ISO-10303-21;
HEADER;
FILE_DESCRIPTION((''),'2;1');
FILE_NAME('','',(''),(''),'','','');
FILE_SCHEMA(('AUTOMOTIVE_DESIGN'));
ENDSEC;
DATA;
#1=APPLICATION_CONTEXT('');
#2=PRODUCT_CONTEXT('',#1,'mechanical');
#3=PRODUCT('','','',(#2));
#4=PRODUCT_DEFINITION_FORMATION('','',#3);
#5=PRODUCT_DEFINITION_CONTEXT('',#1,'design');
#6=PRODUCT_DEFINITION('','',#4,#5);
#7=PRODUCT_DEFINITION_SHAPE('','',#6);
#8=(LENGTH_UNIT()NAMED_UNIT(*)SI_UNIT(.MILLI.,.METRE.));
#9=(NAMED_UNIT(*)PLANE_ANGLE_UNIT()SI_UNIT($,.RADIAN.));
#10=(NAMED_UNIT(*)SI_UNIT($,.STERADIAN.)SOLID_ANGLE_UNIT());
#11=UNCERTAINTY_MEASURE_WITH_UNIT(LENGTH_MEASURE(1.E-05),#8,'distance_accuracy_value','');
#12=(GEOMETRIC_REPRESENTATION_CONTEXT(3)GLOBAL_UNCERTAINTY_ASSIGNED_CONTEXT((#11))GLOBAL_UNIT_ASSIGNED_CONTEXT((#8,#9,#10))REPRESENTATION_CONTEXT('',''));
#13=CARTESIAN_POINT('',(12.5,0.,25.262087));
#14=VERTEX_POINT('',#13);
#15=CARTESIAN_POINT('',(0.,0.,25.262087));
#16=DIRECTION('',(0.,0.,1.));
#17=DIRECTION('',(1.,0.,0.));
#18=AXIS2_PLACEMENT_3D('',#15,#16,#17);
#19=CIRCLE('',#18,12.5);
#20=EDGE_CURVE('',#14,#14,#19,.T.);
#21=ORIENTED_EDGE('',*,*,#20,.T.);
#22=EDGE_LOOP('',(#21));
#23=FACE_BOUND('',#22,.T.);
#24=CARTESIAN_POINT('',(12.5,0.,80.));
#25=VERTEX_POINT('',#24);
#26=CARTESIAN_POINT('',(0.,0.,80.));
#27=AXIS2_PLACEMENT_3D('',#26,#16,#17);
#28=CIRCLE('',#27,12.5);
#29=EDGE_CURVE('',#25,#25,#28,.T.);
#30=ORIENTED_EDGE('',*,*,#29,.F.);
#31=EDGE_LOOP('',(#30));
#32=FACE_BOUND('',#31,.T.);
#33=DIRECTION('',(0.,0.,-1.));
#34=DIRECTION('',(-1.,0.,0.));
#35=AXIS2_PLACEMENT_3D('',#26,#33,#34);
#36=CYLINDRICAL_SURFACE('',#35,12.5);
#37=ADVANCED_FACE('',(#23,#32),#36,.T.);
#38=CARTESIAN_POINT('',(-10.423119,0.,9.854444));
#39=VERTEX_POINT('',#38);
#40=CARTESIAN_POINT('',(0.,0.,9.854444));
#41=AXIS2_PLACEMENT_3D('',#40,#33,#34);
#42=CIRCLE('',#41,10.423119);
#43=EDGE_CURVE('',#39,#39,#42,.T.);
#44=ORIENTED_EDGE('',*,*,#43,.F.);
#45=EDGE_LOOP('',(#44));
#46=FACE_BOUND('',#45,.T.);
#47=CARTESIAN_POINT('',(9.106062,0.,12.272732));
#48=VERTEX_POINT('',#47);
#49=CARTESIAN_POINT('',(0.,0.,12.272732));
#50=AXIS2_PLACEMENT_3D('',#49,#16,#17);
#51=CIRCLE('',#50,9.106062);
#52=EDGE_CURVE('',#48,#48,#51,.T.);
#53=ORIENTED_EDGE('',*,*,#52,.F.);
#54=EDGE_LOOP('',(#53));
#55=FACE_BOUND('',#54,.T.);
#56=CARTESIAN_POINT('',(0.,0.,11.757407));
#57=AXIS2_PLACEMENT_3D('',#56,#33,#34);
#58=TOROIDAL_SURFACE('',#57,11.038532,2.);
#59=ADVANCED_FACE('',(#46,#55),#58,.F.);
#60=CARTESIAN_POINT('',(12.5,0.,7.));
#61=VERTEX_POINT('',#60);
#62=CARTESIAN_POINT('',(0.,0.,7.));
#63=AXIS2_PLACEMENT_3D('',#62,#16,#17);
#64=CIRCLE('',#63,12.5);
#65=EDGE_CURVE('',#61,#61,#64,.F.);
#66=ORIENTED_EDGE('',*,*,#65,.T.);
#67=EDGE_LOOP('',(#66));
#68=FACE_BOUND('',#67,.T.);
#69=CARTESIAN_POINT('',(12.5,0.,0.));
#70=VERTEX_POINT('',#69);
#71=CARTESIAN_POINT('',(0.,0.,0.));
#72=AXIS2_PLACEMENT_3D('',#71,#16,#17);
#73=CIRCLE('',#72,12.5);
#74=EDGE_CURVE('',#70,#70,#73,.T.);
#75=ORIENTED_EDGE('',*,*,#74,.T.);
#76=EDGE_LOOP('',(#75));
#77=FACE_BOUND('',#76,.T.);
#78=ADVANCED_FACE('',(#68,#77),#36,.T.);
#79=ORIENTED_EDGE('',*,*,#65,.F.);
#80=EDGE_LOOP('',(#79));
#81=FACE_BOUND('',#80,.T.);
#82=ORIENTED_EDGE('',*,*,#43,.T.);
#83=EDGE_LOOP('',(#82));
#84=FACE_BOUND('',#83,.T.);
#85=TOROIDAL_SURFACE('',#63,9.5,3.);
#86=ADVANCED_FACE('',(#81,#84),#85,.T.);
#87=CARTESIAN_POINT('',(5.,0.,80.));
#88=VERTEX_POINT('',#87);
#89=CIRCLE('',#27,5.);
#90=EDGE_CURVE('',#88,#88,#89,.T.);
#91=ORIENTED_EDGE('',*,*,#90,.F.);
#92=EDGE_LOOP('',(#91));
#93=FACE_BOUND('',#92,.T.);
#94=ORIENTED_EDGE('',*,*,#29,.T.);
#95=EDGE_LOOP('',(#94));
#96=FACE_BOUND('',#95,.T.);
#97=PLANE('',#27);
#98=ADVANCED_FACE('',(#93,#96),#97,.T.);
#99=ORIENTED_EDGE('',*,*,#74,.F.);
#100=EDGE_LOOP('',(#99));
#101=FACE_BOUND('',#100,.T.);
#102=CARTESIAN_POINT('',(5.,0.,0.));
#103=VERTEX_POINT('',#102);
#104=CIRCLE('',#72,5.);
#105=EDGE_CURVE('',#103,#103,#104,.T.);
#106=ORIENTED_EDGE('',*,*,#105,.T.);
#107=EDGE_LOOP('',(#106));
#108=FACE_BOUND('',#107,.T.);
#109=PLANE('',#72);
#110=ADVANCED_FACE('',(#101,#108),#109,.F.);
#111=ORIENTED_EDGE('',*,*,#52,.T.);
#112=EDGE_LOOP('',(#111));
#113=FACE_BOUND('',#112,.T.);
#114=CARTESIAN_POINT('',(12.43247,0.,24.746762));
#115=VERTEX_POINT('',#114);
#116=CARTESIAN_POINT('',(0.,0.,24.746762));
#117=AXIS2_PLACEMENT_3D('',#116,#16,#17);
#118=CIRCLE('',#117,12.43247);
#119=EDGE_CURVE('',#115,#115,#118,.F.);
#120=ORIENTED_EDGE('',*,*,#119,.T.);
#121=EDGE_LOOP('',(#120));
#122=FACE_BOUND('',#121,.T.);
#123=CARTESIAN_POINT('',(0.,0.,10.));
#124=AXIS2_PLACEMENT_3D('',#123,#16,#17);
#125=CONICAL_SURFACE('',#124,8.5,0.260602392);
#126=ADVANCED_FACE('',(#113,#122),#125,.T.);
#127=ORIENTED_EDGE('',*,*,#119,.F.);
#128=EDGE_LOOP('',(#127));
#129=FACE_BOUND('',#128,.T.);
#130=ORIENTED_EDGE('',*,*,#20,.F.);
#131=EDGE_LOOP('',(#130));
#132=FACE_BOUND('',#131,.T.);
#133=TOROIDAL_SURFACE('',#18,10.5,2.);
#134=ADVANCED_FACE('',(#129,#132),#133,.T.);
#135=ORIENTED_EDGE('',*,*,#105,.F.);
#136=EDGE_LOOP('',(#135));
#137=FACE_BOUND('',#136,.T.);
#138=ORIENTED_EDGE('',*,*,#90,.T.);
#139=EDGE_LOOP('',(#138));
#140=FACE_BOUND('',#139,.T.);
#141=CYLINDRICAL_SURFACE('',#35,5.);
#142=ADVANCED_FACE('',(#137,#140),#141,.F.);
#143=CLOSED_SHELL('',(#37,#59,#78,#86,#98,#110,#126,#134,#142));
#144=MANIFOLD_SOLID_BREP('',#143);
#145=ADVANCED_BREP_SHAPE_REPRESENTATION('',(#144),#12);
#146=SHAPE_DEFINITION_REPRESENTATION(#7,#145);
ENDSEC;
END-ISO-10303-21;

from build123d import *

# Parameters (mm, degrees)
SKETCH_1_R      = 12.5
SKETCH_1_R_2    = 5
EXTRUDE_1_DEPTH = 80
FILLET_1_R      = 3
FILLET_2_R      = 2
FILLET_3_R      = 2


with BuildPart() as part:
    # Эскиз1 → Вытянуть-Тонкостенный1 (new body)
    with BuildSketch(Plane.XY):
        Circle(SKETCH_1_R)
        Circle(SKETCH_1_R_2, mode=Mode.SUBTRACT)
    extrude(amount=EXTRUDE_1_DEPTH)

    # Эскиз2 → Вырез-Повернуть1 (revolve, cut)
    with BuildSketch(Plane(origin=(0, 0, 0), x_dir=(1, 0, 0), z_dir=(0, 1, 0)), mode=Mode.PRIVATE) as cut_revolve_1_sk:
        Polygon((12.5, -10), (8.5, -10), (12.5, -25), align=None)
    revolve(cut_revolve_1_sk.sketch.rotate(Axis((0, 0, -6.599641281), (0, 0, 1)), 180), axis=Axis((0, 0, -6.599641281), (0, 0, 1)), mode=Mode.SUBTRACT)

    # Скругление1
    fillet_1_edges = [part.edges().sort_by_distance(p)[0] for p in [
        (-12.5, 0, 10),
    ]]
    fillet(fillet_1_edges, radius=FILLET_1_R)

    # Скругление2
    fillet_2_edges = [part.edges().sort_by_distance(p)[0] for p in [
        (8.5, 0, 10),
    ]]
    fillet(fillet_2_edges, radius=FILLET_2_R)

    # Скругление3
    fillet_3_edges = [part.edges().sort_by_distance(p)[0] for p in [
        (0, -12.5, 25),
    ]]
    fillet(fillet_3_edges, radius=FILLET_3_R)


solid = part.part
